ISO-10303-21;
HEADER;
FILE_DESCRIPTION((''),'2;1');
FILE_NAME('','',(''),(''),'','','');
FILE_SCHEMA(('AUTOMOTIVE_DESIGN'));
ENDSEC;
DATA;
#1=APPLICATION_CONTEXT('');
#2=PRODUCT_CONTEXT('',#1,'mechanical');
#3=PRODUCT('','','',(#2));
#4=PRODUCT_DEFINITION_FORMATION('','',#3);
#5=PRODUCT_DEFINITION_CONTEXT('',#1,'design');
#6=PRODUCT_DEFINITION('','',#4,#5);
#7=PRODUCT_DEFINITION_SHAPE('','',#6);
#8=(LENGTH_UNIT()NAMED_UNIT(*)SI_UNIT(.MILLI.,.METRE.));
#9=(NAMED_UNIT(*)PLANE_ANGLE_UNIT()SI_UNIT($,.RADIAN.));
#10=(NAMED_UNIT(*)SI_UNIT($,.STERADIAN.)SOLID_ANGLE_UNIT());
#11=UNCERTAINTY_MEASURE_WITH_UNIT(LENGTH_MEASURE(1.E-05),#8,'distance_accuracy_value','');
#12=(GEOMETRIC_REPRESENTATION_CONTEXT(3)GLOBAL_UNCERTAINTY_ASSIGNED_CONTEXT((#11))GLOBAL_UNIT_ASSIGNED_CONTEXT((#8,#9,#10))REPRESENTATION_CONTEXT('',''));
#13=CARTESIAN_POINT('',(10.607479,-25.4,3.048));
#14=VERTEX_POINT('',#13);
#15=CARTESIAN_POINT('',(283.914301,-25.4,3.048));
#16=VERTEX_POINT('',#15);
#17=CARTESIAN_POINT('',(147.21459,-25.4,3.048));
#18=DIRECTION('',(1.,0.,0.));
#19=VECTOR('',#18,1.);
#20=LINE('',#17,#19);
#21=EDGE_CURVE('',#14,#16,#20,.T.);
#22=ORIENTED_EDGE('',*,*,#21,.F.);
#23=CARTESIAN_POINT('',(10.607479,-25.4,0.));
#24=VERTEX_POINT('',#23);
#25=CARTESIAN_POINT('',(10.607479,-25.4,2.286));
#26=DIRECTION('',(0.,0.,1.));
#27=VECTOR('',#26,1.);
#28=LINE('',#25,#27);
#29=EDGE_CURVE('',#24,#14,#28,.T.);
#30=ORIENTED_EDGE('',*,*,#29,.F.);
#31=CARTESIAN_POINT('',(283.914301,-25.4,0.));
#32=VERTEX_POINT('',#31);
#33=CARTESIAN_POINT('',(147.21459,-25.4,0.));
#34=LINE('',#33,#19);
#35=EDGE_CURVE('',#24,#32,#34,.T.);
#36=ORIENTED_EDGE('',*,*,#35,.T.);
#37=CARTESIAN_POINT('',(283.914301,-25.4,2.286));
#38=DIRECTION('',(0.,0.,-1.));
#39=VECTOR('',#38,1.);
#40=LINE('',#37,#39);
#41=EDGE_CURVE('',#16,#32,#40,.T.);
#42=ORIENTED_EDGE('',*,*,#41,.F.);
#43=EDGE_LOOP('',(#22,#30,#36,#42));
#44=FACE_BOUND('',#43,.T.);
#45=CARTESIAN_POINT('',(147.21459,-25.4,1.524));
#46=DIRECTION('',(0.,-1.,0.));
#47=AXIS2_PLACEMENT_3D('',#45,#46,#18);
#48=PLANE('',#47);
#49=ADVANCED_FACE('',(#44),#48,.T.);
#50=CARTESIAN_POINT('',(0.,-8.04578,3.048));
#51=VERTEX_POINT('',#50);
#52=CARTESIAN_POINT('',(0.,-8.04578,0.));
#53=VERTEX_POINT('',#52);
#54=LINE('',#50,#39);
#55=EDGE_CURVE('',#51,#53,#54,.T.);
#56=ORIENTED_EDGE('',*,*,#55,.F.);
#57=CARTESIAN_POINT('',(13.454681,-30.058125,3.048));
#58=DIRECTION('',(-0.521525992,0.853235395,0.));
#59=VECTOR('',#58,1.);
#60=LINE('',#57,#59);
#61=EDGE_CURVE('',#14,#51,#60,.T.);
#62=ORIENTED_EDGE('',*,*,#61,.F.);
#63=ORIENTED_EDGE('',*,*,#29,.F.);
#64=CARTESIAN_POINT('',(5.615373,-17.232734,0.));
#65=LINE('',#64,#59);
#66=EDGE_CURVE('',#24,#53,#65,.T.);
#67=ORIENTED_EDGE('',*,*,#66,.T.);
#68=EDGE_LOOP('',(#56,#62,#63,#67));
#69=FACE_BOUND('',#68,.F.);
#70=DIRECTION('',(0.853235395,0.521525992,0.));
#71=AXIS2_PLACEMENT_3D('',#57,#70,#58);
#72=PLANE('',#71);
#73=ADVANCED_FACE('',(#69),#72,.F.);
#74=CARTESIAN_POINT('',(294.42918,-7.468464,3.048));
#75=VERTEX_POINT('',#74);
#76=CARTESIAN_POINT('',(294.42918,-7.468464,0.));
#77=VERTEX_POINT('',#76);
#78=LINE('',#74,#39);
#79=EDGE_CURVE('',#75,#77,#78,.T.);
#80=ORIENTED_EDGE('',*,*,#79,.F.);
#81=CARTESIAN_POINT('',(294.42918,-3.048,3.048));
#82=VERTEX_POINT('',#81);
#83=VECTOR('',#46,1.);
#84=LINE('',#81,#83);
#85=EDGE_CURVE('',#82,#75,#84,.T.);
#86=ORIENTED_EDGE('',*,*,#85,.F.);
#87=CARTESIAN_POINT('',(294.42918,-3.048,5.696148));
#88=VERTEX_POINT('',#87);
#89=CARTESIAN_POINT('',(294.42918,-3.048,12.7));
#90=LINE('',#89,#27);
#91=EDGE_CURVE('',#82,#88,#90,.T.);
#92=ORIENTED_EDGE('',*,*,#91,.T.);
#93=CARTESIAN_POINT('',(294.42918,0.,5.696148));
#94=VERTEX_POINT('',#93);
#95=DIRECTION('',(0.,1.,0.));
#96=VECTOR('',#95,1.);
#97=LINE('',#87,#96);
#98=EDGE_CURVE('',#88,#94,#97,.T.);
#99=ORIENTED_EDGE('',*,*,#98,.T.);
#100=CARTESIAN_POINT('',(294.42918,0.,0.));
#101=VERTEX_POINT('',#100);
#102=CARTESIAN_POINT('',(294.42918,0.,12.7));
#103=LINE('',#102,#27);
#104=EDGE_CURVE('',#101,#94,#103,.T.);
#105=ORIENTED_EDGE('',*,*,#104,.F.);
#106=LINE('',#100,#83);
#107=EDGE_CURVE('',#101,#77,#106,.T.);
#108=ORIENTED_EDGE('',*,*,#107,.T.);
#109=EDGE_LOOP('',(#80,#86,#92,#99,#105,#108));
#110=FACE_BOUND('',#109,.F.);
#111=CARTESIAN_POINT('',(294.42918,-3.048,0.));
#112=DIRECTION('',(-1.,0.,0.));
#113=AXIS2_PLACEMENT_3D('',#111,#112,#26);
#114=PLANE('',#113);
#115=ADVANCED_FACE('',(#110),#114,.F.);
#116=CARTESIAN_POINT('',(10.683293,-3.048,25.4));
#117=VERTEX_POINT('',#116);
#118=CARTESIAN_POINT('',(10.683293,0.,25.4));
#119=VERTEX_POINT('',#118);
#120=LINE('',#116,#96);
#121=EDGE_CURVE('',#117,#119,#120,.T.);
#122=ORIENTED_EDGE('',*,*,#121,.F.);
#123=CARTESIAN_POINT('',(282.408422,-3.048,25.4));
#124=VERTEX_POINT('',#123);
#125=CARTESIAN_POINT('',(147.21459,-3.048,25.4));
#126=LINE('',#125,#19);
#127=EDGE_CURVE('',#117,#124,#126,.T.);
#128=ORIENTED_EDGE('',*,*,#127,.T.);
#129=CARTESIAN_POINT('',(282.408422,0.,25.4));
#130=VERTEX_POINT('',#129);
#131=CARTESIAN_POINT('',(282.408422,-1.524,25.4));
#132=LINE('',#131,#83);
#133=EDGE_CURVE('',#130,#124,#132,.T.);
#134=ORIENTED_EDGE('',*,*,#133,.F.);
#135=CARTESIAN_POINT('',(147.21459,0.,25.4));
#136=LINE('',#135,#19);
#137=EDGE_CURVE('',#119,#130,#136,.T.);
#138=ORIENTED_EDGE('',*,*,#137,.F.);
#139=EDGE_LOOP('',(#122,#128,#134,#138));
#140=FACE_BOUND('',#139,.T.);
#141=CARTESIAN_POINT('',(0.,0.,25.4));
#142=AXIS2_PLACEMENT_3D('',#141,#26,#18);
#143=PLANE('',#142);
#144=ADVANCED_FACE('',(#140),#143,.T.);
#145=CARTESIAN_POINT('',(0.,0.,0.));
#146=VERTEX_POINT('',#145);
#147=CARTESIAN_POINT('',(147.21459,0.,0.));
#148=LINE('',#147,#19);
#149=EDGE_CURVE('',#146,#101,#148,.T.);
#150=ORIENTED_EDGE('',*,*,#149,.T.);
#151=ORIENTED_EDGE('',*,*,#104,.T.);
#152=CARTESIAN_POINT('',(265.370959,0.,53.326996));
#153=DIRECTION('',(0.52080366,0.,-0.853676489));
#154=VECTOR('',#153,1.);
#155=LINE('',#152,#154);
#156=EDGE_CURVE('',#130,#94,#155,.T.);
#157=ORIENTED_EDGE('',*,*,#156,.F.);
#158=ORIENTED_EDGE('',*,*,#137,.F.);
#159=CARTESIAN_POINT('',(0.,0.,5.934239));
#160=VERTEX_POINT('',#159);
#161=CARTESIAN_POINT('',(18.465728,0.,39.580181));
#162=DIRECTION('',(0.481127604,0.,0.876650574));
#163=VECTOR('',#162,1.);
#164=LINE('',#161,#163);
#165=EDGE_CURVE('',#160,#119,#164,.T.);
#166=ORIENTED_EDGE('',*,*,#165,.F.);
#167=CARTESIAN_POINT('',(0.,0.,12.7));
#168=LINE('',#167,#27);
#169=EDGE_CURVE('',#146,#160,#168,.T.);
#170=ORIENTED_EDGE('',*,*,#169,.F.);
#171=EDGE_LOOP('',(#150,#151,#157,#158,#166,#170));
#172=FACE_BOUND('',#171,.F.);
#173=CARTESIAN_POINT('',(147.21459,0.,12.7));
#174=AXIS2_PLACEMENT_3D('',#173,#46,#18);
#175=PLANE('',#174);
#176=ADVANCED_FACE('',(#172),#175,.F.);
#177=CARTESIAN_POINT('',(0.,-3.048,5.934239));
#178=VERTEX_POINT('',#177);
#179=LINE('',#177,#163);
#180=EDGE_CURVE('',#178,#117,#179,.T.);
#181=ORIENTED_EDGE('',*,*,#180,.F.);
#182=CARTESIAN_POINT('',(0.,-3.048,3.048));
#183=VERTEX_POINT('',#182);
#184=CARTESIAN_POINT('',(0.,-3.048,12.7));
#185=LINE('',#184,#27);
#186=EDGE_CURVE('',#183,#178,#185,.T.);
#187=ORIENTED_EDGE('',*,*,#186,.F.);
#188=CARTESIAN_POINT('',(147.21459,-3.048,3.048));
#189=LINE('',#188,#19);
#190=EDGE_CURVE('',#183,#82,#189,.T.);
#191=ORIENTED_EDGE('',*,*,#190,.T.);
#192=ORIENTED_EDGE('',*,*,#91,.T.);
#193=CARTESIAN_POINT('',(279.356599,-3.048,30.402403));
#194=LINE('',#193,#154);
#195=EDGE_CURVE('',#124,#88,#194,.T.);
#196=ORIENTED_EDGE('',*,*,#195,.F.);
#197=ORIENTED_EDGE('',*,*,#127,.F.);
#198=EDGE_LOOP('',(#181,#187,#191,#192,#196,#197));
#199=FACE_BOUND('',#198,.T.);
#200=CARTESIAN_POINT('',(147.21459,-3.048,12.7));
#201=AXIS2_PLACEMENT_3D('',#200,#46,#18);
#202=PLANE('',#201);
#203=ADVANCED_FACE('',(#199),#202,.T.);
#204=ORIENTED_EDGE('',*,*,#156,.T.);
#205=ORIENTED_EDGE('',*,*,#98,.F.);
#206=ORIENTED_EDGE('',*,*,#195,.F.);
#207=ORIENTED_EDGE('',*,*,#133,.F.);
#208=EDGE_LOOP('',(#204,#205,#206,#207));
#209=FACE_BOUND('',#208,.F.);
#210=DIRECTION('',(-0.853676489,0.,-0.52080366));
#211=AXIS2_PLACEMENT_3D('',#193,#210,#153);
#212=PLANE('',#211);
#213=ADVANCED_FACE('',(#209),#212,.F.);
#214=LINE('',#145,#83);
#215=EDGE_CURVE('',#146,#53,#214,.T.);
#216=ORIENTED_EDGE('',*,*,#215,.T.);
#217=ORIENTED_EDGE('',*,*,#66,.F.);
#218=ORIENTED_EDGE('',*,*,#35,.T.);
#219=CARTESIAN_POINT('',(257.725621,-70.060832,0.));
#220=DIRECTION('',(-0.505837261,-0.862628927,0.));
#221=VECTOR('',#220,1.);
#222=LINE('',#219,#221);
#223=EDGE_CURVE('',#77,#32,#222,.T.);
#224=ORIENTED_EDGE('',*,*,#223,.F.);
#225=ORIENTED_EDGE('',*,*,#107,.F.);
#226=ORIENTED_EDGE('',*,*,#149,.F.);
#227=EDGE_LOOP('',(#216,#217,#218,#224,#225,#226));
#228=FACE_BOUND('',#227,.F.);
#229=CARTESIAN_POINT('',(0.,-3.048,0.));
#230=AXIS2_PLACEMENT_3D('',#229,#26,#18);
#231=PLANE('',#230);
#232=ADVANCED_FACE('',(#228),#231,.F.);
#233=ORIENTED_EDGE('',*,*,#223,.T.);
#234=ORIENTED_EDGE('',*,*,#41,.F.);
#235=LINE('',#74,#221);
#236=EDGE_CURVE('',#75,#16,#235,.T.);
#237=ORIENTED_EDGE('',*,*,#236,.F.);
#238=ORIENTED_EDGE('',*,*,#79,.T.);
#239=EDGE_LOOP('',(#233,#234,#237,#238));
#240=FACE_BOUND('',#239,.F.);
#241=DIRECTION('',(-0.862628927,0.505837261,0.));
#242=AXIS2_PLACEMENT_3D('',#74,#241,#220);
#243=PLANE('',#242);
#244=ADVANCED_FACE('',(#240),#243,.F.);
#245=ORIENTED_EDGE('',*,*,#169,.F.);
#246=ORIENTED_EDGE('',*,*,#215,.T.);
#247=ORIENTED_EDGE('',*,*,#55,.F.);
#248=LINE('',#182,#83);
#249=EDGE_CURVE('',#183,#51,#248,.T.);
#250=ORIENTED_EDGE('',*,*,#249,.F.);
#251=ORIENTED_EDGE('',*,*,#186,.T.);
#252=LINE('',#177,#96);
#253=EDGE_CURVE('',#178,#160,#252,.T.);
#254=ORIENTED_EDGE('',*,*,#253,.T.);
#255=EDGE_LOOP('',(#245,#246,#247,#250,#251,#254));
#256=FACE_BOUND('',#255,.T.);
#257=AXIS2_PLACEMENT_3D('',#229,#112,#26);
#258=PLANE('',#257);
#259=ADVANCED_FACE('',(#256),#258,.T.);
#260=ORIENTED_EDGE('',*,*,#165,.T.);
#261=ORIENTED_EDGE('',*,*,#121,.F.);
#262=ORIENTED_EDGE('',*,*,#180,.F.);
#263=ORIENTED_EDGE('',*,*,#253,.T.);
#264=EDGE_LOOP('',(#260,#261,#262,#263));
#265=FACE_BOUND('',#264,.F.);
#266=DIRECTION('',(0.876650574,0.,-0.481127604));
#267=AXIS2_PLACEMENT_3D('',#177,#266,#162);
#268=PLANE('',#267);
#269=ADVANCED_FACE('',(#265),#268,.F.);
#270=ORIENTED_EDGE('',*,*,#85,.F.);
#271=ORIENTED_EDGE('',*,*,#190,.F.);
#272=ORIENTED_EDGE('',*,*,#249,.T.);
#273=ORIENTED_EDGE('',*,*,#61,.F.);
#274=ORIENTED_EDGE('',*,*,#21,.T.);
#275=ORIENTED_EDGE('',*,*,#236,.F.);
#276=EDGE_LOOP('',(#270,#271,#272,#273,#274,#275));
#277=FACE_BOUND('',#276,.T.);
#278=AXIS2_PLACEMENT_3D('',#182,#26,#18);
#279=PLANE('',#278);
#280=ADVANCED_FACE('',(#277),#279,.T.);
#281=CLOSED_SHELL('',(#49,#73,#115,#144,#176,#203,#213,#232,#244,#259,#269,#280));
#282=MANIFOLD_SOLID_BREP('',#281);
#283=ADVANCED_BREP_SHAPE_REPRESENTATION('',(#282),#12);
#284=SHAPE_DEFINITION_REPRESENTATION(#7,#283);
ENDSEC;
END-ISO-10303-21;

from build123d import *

# Parameters (mm, degrees)
F0_W      = 294.42918
F0_H      = 25.4
F1_DEPTH  = 3.048
F2_W      = 294.42918
F2_H      = 3.048
F3_DEPTH  = 22.352
F5_DEPTH  = 25.4
F7_DEPTH  = 25.4
F9_DEPTH  = 25.4
F11_DEPTH = 25.4


with BuildPart() as f1:
    # F0 (on Front) → F1 (new body)
    with BuildSketch(Plane.XZ):
        with Locations((147.21459, 12.7)):
            Rectangle(F0_W, F0_H)
    extrude(amount=F1_DEPTH)

    # F2 (on face) → F3 (join)
    with BuildSketch(Plane.XZ.offset(3.048)):
        with Locations((147.21459, 1.524)):
            Rectangle(F2_W, F2_H)
    extrude(amount=F3_DEPTH)

    # F4 (on face) → F5 (cut)
    with BuildSketch(Plane.XZ.offset(3.048)):
        Polygon((0, 5.934239), (10.683293, 25.4), (4.401662, 35.47851), (-15.100691, 25.4), align=None)
    extrude(amount=-F5_DEPTH, mode=Mode.SUBTRACT)

    # F6 (on face) → F7 (cut)
    with BuildSketch(Plane.XY.offset(3.048)):
        Polygon((13.454681, -30.058125), (0, -8.04578), (-4.952007, -25.4), (9.960025, -44.26622), align=None)
    extrude(amount=-F7_DEPTH, mode=Mode.SUBTRACT)

    # F8 (on face) → F9 (cut)
    with BuildSketch(Plane.XY.offset(3.048)):
        Polygon((299.843073, 0), (294.42918, -7.468464), (280.858219, -30.611685), (297.753662, -36.44076), align=None)
    extrude(amount=-F9_DEPTH, mode=Mode.SUBTRACT)

    # F10 (on face) → F11 (cut)
    with BuildSketch(Plane.XZ.offset(3.048)):
        Polygon((279.356599, 30.402403), (294.42918, 5.696148), (301.659763, 3.048), (311.673284, 34.467302), align=None)
    extrude(amount=-F11_DEPTH, mode=Mode.SUBTRACT)


solid = f1.part
